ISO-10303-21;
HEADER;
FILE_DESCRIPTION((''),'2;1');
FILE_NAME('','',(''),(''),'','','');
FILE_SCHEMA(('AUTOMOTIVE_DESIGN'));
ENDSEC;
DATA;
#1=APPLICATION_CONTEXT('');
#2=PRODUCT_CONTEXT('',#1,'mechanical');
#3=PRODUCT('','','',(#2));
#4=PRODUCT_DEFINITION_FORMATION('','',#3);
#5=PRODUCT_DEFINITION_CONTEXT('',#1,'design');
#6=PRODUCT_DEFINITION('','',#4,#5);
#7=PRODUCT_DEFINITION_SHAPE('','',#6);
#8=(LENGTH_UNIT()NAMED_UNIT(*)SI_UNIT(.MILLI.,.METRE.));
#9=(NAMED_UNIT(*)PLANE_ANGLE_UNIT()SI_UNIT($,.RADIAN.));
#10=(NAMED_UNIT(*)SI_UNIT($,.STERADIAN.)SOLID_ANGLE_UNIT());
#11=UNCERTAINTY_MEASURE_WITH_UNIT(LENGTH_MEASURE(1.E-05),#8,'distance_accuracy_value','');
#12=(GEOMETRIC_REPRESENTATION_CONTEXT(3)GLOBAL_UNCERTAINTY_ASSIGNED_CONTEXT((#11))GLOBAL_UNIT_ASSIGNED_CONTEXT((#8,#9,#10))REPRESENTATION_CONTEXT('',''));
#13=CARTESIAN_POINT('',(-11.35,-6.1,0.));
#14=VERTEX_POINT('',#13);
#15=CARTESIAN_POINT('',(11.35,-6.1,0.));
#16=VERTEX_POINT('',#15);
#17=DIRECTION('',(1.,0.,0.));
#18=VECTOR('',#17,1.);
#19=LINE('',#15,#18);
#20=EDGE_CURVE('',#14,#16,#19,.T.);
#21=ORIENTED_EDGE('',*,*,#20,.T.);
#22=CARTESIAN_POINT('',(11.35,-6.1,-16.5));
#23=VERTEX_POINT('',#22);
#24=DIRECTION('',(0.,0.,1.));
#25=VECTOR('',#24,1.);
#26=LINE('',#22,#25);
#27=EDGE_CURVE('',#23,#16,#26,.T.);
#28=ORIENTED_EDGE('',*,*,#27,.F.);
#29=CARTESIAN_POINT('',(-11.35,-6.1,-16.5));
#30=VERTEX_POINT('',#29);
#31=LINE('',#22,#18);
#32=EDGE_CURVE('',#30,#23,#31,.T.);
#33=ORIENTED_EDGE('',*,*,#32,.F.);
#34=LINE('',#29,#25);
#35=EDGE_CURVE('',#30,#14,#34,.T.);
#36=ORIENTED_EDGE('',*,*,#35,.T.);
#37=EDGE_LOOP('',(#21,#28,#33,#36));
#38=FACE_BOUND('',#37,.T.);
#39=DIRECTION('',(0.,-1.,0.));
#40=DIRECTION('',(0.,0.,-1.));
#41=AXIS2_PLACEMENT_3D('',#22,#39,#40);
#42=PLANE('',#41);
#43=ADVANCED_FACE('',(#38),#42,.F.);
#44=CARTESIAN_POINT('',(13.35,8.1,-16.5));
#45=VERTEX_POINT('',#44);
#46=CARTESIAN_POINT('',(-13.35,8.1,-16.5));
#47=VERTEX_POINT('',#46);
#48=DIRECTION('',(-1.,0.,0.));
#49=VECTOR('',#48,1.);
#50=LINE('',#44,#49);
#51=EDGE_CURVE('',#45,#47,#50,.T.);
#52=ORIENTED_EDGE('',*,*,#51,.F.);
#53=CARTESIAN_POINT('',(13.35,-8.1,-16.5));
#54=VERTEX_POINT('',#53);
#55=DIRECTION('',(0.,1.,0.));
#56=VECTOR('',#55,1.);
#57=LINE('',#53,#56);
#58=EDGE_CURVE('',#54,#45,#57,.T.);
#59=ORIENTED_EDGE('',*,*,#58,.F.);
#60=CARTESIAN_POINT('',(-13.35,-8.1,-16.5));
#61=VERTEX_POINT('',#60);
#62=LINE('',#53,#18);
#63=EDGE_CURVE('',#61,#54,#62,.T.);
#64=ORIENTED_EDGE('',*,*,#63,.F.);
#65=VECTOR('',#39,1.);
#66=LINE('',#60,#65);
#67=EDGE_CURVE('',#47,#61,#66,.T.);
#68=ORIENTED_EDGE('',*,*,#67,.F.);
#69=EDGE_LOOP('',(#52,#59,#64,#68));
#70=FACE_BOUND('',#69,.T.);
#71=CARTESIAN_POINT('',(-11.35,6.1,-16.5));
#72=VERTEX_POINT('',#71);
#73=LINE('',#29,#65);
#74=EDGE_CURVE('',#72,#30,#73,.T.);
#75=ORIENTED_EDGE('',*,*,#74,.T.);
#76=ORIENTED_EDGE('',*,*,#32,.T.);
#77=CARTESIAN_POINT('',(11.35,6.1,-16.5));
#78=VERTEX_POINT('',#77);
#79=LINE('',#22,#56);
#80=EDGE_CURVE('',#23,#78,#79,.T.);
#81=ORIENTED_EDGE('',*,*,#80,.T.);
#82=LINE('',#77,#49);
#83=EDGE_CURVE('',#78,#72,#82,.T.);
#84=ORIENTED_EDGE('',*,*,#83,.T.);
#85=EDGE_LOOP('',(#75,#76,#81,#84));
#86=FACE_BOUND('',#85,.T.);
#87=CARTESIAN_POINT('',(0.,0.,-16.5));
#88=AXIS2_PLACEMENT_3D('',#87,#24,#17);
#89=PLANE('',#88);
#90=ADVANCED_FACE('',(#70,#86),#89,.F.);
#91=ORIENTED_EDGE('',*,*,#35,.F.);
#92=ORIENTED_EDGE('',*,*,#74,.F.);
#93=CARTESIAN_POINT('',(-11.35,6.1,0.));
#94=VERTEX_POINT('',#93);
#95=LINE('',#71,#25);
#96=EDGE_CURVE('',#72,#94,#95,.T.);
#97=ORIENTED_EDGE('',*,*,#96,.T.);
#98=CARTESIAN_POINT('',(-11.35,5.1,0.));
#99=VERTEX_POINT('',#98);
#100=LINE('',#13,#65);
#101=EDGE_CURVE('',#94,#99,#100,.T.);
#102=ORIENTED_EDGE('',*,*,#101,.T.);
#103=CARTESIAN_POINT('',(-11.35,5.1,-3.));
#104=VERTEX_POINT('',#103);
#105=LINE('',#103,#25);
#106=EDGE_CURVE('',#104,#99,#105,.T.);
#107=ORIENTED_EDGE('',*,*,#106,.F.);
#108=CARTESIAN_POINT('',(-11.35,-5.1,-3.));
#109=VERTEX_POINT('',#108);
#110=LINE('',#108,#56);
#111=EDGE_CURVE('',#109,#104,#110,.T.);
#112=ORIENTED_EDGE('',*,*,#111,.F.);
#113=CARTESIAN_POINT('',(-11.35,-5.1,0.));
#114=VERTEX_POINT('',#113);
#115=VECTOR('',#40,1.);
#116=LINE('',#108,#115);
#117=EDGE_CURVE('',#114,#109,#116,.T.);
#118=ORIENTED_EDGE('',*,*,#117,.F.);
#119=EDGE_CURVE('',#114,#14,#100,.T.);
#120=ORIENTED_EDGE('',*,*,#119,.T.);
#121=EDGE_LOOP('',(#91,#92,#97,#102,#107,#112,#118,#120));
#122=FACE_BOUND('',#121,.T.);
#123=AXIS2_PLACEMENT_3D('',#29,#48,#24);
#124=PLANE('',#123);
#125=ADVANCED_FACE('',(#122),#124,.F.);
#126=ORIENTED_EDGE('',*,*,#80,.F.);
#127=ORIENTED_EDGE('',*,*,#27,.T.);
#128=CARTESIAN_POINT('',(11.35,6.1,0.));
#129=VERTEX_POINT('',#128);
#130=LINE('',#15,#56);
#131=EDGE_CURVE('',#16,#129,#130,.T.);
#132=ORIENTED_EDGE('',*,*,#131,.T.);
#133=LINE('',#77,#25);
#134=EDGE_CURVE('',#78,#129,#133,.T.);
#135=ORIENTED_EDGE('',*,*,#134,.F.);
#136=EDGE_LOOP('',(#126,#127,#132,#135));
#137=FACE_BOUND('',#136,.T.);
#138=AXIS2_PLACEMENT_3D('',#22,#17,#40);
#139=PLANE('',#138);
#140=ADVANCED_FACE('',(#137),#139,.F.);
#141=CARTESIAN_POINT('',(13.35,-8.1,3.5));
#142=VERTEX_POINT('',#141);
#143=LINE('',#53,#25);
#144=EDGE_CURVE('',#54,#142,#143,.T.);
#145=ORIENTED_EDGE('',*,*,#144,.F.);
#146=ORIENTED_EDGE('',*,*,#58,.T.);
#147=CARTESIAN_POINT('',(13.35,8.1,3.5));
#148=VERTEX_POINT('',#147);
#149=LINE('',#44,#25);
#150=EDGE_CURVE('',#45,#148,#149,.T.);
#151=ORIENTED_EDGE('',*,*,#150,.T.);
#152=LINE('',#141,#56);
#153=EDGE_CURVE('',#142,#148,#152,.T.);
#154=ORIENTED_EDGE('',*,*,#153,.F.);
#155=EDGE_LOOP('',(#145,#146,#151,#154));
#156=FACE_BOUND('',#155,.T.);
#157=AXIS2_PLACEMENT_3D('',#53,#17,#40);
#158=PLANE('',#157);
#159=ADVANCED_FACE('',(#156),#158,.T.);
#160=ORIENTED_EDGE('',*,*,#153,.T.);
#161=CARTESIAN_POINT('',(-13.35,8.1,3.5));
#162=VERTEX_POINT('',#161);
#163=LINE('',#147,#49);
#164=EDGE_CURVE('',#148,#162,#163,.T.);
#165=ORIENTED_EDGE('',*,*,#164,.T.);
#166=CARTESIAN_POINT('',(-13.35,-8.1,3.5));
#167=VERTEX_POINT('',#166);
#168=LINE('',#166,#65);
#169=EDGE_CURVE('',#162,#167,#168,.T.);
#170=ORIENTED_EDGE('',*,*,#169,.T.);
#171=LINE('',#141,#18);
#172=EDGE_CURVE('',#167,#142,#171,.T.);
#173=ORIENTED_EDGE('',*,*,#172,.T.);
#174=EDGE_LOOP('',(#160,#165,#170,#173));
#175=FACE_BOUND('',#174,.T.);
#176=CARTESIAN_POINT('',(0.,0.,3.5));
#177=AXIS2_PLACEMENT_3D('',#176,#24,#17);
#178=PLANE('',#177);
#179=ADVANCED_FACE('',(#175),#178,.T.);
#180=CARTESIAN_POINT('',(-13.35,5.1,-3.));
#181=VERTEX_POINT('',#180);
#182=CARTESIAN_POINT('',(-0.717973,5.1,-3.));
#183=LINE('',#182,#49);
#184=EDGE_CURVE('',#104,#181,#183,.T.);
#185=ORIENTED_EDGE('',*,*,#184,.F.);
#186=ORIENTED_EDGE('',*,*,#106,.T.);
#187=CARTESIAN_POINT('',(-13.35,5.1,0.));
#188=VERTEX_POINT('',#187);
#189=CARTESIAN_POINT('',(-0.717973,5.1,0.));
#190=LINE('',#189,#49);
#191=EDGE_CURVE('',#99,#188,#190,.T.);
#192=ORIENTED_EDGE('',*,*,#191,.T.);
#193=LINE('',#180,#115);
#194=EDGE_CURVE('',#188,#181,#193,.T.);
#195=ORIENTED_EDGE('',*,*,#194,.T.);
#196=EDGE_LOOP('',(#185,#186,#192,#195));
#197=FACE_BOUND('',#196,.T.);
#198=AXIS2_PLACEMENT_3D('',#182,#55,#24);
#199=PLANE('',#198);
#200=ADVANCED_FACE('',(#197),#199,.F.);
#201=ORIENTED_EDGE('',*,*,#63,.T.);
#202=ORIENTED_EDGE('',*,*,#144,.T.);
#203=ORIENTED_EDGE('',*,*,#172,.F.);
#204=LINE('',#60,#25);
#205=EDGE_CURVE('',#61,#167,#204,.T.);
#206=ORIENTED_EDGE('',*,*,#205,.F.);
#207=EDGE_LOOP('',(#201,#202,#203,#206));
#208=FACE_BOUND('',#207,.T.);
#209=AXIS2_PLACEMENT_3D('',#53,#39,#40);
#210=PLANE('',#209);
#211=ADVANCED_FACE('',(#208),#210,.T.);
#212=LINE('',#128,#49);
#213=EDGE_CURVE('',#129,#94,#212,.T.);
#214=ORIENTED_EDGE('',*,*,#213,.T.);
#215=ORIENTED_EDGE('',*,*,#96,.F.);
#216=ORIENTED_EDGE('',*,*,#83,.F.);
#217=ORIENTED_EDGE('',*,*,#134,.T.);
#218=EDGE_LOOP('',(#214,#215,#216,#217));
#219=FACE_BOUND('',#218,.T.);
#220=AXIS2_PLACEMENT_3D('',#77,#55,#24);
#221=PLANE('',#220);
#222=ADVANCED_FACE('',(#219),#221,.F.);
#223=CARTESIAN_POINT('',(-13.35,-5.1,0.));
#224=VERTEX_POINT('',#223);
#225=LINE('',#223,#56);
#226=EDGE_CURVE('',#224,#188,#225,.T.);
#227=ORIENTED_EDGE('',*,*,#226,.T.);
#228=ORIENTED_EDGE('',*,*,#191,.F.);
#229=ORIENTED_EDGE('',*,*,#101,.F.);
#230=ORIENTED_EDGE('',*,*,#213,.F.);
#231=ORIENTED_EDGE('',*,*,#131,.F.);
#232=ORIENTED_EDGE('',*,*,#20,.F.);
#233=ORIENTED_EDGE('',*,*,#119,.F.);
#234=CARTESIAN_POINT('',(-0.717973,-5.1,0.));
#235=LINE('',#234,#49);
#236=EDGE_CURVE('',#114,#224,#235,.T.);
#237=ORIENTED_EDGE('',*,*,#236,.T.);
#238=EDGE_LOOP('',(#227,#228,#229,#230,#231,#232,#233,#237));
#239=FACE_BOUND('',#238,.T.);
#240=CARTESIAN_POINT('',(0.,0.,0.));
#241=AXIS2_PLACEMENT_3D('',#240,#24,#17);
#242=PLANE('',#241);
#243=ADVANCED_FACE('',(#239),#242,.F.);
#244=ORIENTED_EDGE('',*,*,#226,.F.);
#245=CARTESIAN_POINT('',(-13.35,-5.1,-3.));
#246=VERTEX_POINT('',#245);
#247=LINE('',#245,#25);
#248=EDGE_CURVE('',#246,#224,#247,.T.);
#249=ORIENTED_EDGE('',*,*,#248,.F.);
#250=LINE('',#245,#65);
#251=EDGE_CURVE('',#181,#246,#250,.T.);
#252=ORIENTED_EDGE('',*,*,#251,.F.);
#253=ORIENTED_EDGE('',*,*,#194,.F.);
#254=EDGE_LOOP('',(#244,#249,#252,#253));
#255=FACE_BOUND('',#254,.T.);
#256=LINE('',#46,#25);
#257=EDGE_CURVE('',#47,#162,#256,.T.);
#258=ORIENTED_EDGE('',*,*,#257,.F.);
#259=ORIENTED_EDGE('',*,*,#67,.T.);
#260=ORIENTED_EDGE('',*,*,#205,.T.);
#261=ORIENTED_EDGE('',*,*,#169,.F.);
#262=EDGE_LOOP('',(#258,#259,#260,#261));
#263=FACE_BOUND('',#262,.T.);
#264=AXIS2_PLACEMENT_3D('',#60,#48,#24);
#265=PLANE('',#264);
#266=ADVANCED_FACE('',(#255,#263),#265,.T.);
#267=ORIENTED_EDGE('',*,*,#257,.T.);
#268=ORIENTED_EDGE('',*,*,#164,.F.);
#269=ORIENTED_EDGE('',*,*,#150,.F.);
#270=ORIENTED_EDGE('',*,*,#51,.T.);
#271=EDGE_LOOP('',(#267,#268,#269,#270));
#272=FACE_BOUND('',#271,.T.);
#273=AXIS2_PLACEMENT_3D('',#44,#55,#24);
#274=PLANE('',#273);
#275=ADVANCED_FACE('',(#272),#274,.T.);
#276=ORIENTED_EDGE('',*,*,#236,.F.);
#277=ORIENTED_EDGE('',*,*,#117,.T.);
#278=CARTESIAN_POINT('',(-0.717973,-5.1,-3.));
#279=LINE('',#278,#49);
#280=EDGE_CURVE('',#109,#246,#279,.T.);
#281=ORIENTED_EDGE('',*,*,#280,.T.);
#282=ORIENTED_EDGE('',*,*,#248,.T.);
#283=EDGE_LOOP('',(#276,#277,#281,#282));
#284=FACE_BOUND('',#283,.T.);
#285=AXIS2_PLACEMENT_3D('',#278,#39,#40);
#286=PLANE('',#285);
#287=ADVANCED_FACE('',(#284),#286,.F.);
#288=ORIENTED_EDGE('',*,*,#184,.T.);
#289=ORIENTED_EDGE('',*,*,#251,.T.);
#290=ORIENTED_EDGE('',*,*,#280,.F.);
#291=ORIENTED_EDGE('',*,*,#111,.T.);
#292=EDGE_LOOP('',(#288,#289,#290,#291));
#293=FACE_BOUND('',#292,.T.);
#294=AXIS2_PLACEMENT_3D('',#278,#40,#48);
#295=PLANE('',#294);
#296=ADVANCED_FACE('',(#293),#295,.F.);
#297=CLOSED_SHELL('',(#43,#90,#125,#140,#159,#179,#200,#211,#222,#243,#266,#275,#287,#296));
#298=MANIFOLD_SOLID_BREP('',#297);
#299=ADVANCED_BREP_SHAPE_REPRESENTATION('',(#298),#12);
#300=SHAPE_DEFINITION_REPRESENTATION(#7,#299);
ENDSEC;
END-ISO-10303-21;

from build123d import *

# Parameters (mm, degrees)
SKETCH1_W           = 22.7
SKETCH1_H           = 12.2
BOSS_EXTRUDE1_DEPTH = 3.5
SKETCH2_W           = 26.7
SKETCH2_H           = 16.2
SKETCH2_W_2         = 22.7
SKETCH2_H_2         = 12.2
BOSS_EXTRUDE2_DEPTH = 20
SKETCH3_W           = 3
SKETCH3_H           = 10.2
CUT_EXTRUDE1_DEPTH  = 2


with BuildPart() as part:
    # Sketch1 → Boss-Extrude1 (new body)
    with BuildSketch(Plane.XY):
        Rectangle(SKETCH1_W, SKETCH1_H)
    extrude(amount=BOSS_EXTRUDE1_DEPTH)

    # Sketch2 → Boss-Extrude2 (add)
    with BuildSketch(Plane.XY.offset(3.5)):
        Rectangle(SKETCH2_W, SKETCH2_H)
        Rectangle(SKETCH2_W_2, SKETCH2_H_2, mode=Mode.SUBTRACT)
    extrude(amount=-BOSS_EXTRUDE2_DEPTH)

    # Sketch3 → Cut-Extrude1 (cut)
    with BuildSketch(Plane.ZY.offset(13.35)):
        with Locations((-1.5, 0)):
            Rectangle(SKETCH3_W, SKETCH3_H)
    extrude(amount=-CUT_EXTRUDE1_DEPTH, mode=Mode.SUBTRACT)


solid = part.part
